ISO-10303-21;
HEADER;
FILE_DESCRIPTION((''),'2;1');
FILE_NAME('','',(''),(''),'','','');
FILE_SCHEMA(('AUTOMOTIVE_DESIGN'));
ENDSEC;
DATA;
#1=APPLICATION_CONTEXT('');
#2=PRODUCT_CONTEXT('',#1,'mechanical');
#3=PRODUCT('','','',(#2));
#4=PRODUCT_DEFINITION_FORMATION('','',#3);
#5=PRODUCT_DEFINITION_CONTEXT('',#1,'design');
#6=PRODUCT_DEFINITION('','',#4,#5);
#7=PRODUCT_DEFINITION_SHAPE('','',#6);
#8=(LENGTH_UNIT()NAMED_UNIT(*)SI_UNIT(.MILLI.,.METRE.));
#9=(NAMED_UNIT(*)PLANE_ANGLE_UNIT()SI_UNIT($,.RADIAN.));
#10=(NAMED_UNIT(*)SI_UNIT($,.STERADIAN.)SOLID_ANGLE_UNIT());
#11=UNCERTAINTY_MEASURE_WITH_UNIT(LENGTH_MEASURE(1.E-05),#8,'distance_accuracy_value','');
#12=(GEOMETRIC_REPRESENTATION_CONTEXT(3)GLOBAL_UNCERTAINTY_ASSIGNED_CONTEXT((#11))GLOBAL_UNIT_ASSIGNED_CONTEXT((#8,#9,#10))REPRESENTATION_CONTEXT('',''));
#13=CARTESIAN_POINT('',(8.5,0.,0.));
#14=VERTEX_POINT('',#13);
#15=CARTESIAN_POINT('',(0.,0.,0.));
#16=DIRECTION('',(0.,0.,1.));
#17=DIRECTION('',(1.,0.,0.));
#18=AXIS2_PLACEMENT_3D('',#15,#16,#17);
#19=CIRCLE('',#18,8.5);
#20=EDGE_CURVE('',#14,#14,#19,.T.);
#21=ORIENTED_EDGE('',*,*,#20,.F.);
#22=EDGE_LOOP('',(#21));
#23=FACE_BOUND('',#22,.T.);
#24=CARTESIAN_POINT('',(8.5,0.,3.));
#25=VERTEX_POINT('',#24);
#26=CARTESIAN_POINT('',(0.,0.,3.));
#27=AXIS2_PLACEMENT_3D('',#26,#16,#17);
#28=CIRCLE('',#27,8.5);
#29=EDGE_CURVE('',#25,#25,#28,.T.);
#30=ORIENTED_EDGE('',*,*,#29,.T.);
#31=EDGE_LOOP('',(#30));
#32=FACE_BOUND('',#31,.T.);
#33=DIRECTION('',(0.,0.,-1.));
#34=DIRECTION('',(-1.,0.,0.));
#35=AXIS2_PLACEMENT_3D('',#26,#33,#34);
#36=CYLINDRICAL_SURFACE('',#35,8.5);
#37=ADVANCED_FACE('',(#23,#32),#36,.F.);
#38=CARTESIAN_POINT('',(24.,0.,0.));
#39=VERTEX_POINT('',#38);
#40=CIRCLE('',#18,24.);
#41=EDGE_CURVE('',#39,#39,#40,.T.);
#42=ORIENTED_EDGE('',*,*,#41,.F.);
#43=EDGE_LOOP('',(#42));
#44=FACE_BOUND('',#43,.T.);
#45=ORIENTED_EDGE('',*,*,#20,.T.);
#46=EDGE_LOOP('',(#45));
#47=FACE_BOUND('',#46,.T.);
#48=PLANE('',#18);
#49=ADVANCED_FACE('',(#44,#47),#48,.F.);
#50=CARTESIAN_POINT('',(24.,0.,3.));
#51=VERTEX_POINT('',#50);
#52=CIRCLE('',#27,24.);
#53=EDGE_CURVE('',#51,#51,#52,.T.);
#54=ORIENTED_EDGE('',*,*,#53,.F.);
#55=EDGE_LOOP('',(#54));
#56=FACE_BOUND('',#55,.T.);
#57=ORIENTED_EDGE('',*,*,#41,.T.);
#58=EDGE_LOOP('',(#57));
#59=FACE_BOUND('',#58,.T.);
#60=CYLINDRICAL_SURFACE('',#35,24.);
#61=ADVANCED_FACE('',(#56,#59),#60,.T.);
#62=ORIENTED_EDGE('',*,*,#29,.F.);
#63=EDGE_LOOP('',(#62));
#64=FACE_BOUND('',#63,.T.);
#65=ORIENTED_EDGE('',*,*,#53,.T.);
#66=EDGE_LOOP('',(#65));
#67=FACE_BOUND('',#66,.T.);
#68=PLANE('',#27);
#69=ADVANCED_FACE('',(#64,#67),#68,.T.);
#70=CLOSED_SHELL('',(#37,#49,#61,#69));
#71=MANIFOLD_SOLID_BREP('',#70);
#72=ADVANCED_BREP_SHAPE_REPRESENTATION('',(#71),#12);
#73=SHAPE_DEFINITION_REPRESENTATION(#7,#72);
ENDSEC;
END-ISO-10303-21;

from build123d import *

# Parameters (mm, degrees)
SKETCH_1_R      = 24
SKETCH_1_R_2    = 8.5
EXTRUDE_1_DEPTH = 3


with BuildPart() as part:
    # Эскиз1 → Вытянуть1 (new body)
    with BuildSketch(Plane.XY):
        Circle(SKETCH_1_R)
        Circle(SKETCH_1_R_2, mode=Mode.SUBTRACT)
    extrude(amount=EXTRUDE_1_DEPTH)


solid = part.part
